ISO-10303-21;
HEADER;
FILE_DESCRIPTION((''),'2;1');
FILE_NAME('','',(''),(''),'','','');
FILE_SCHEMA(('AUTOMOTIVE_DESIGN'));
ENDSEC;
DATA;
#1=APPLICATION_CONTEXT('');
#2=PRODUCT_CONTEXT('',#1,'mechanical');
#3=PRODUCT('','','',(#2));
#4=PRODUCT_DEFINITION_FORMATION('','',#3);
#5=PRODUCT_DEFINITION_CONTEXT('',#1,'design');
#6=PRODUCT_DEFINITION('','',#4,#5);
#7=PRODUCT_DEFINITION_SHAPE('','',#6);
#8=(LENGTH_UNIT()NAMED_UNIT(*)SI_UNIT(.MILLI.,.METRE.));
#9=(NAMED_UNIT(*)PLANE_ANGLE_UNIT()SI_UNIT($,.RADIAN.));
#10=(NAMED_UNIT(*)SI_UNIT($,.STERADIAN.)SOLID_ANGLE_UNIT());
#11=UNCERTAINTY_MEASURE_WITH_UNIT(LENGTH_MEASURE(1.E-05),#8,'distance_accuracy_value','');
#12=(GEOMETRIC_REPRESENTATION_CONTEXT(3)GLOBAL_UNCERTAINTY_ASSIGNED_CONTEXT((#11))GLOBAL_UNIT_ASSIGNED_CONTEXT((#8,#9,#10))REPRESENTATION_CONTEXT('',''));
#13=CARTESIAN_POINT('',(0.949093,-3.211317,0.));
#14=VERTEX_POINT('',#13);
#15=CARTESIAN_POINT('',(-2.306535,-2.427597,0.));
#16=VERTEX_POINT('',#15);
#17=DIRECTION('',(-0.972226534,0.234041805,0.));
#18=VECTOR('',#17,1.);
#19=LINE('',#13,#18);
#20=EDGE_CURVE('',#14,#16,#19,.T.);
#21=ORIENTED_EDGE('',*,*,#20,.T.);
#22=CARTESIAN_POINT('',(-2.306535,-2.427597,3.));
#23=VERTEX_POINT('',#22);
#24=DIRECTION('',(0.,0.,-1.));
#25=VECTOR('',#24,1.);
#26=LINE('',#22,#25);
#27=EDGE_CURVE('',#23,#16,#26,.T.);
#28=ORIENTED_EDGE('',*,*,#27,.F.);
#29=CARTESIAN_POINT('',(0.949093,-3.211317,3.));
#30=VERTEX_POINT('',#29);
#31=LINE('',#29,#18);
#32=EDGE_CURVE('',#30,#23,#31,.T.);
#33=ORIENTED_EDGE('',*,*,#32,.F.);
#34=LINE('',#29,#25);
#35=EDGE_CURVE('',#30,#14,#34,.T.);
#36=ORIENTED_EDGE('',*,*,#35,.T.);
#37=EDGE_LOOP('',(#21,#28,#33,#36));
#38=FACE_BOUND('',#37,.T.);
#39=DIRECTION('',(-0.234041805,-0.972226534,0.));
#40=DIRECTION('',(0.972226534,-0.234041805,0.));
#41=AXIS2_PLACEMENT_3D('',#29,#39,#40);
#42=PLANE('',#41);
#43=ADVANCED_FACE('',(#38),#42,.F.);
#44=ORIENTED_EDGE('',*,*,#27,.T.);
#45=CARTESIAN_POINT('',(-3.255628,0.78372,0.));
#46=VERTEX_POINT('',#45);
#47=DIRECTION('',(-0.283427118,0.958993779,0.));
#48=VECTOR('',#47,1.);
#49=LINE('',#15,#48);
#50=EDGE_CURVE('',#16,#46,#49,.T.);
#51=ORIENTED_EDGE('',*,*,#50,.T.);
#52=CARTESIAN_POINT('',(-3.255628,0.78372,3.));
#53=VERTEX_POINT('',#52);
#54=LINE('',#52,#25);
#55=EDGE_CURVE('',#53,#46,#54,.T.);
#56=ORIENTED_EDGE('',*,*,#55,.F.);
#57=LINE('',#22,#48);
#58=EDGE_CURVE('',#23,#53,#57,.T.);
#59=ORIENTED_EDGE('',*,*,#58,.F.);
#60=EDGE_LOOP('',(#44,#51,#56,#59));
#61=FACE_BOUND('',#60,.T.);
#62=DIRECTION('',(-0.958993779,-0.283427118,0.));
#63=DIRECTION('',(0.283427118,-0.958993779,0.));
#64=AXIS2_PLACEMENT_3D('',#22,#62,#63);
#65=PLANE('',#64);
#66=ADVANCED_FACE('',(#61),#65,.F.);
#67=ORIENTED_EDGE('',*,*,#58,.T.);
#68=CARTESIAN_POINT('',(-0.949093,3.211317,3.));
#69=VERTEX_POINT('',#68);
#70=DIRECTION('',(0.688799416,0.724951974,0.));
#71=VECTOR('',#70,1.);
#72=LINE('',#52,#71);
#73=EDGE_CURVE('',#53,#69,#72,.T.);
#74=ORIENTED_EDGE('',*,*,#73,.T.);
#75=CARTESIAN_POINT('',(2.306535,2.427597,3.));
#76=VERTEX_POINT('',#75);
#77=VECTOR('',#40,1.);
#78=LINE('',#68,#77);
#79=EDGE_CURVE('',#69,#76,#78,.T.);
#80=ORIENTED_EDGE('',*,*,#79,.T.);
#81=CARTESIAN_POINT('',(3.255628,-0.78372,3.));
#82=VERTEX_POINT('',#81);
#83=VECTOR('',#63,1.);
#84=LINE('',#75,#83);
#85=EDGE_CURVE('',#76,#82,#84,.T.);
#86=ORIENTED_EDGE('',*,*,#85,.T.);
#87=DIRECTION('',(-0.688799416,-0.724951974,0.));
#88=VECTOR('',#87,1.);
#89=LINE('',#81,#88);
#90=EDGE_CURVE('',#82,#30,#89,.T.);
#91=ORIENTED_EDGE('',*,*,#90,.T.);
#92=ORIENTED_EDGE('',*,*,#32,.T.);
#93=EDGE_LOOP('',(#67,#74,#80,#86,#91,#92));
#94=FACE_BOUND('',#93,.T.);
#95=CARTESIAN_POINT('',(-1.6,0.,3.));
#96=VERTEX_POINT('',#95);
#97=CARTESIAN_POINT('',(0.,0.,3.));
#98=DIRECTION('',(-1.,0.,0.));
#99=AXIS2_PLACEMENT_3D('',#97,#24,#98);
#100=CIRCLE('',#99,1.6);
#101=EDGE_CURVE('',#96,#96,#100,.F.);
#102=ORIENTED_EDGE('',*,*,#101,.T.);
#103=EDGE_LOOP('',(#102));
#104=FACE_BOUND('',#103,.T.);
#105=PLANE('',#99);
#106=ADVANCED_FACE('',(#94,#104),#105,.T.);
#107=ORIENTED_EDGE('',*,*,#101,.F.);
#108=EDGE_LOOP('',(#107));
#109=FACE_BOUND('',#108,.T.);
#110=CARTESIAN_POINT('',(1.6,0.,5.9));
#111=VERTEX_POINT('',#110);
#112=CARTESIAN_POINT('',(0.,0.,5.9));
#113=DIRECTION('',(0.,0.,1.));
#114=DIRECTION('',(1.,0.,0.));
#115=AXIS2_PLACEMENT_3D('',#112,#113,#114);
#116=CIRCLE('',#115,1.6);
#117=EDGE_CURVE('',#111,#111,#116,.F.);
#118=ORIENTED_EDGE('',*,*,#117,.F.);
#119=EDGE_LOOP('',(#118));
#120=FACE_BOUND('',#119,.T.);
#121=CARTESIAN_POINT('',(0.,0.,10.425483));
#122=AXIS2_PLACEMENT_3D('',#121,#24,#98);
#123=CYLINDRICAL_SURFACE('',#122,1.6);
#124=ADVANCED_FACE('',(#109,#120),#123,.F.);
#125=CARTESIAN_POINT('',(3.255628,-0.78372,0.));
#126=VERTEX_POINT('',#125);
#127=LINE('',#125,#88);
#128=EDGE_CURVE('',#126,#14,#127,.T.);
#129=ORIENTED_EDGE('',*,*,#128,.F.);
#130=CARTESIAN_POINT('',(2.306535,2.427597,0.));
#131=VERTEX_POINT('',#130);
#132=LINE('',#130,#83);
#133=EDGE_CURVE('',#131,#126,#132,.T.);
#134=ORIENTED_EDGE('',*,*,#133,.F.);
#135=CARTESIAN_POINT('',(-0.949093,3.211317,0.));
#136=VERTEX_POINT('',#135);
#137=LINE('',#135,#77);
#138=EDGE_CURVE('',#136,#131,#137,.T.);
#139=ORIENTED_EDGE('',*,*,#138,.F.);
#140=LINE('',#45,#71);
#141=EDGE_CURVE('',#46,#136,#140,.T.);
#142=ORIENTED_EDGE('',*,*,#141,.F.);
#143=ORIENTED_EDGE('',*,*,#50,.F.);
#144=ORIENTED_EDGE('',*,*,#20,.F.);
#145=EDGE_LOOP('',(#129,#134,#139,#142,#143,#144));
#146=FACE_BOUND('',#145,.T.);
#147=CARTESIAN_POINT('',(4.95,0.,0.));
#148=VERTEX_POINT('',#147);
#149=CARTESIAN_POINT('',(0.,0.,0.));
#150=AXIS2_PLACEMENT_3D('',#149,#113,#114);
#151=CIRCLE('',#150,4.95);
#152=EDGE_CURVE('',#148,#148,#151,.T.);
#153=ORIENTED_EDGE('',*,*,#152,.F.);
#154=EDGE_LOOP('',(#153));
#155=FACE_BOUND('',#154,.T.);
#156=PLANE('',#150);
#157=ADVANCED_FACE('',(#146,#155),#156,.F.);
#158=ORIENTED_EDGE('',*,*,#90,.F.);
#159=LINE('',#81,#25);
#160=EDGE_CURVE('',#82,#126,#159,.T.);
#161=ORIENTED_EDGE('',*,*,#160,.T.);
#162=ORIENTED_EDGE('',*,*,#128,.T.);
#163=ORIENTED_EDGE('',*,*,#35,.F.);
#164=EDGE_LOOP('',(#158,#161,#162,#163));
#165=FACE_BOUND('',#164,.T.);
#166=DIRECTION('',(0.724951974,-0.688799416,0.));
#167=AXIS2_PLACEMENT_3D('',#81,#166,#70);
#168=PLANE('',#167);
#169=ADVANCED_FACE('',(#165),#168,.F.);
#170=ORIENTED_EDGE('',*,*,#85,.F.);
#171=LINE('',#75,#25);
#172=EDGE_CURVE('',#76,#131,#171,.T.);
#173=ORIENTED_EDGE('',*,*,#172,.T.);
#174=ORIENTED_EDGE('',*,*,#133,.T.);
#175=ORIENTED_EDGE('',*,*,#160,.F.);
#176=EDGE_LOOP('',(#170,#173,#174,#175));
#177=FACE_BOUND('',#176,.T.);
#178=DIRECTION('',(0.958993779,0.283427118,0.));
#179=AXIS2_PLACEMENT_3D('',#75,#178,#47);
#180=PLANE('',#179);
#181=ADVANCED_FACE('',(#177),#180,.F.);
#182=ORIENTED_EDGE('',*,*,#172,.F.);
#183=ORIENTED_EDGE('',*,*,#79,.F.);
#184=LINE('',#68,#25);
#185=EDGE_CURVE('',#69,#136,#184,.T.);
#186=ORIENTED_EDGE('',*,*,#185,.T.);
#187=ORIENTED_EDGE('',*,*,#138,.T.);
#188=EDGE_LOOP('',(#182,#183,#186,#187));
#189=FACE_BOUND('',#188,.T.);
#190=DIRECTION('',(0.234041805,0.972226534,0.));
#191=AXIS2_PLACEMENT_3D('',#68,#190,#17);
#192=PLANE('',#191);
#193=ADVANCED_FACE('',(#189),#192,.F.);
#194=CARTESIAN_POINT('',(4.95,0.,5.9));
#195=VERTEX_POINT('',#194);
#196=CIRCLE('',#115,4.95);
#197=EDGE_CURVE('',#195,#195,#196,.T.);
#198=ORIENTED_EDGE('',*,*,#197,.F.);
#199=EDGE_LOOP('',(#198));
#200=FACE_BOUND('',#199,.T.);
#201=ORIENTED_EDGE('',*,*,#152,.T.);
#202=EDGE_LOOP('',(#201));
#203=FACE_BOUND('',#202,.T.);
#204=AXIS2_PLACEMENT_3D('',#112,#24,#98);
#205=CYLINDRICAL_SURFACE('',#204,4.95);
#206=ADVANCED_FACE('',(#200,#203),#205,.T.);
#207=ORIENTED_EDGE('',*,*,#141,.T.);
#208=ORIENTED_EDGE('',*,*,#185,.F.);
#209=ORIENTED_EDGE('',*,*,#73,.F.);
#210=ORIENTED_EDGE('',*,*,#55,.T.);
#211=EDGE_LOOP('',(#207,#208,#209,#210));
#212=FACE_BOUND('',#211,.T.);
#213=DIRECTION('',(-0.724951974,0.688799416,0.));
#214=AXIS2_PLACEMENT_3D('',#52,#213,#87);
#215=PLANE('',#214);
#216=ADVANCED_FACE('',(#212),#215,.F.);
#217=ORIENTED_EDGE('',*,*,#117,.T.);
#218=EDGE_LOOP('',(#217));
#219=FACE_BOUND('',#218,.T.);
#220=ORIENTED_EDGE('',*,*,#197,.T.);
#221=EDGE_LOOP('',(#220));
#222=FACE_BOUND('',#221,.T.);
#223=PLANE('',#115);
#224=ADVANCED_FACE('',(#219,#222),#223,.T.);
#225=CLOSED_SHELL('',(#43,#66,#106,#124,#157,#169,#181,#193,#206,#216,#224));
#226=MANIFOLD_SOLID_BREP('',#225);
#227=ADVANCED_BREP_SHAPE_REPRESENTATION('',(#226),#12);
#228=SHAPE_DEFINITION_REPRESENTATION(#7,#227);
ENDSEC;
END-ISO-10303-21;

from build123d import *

# Parameters (mm, degrees)
ESQUISSE1_R             = 4.95
BOSS_EXTRU_1_DEPTH      = 5.9
ESQUISSE2_R             = 1.6
ENL_V_MAT_EXTRU_1_DEPTH = 5.9
ENL_V_MAT_EXTRU_2_DEPTH = 3


with BuildPart() as part:
    # Esquisse1 → Boss.-Extru.1 (new body)
    with BuildSketch(Plane.XY):
        Circle(ESQUISSE1_R)
    extrude(amount=BOSS_EXTRU_1_DEPTH)

    # Esquisse2 → Enlèv. mat.-Extru.1 (cut)
    with BuildSketch(Plane(origin=(0, 0, 0), x_dir=(-1, 0, 0), z_dir=(0, 0, -1))):
        Circle(ESQUISSE2_R)
    extrude(amount=-ENL_V_MAT_EXTRU_1_DEPTH, mode=Mode.SUBTRACT)

    # Esquisse3 → Enlèv. mat.-Extru.2 (cut)
    with BuildSketch(Plane(origin=(0, 0, 0), x_dir=(-1, 0, 0), z_dir=(0, 0, -1))):
        Polygon((-0.949092992, -3.211316837), (2.306535464, -2.42759706), (3.255628456, 0.783719777), (0.949092992, 3.211316837), (-2.306535464, 2.42759706), (-3.255628456, -0.783719777), align=None)
    extrude(amount=-ENL_V_MAT_EXTRU_2_DEPTH, mode=Mode.SUBTRACT)


solid = part.part
